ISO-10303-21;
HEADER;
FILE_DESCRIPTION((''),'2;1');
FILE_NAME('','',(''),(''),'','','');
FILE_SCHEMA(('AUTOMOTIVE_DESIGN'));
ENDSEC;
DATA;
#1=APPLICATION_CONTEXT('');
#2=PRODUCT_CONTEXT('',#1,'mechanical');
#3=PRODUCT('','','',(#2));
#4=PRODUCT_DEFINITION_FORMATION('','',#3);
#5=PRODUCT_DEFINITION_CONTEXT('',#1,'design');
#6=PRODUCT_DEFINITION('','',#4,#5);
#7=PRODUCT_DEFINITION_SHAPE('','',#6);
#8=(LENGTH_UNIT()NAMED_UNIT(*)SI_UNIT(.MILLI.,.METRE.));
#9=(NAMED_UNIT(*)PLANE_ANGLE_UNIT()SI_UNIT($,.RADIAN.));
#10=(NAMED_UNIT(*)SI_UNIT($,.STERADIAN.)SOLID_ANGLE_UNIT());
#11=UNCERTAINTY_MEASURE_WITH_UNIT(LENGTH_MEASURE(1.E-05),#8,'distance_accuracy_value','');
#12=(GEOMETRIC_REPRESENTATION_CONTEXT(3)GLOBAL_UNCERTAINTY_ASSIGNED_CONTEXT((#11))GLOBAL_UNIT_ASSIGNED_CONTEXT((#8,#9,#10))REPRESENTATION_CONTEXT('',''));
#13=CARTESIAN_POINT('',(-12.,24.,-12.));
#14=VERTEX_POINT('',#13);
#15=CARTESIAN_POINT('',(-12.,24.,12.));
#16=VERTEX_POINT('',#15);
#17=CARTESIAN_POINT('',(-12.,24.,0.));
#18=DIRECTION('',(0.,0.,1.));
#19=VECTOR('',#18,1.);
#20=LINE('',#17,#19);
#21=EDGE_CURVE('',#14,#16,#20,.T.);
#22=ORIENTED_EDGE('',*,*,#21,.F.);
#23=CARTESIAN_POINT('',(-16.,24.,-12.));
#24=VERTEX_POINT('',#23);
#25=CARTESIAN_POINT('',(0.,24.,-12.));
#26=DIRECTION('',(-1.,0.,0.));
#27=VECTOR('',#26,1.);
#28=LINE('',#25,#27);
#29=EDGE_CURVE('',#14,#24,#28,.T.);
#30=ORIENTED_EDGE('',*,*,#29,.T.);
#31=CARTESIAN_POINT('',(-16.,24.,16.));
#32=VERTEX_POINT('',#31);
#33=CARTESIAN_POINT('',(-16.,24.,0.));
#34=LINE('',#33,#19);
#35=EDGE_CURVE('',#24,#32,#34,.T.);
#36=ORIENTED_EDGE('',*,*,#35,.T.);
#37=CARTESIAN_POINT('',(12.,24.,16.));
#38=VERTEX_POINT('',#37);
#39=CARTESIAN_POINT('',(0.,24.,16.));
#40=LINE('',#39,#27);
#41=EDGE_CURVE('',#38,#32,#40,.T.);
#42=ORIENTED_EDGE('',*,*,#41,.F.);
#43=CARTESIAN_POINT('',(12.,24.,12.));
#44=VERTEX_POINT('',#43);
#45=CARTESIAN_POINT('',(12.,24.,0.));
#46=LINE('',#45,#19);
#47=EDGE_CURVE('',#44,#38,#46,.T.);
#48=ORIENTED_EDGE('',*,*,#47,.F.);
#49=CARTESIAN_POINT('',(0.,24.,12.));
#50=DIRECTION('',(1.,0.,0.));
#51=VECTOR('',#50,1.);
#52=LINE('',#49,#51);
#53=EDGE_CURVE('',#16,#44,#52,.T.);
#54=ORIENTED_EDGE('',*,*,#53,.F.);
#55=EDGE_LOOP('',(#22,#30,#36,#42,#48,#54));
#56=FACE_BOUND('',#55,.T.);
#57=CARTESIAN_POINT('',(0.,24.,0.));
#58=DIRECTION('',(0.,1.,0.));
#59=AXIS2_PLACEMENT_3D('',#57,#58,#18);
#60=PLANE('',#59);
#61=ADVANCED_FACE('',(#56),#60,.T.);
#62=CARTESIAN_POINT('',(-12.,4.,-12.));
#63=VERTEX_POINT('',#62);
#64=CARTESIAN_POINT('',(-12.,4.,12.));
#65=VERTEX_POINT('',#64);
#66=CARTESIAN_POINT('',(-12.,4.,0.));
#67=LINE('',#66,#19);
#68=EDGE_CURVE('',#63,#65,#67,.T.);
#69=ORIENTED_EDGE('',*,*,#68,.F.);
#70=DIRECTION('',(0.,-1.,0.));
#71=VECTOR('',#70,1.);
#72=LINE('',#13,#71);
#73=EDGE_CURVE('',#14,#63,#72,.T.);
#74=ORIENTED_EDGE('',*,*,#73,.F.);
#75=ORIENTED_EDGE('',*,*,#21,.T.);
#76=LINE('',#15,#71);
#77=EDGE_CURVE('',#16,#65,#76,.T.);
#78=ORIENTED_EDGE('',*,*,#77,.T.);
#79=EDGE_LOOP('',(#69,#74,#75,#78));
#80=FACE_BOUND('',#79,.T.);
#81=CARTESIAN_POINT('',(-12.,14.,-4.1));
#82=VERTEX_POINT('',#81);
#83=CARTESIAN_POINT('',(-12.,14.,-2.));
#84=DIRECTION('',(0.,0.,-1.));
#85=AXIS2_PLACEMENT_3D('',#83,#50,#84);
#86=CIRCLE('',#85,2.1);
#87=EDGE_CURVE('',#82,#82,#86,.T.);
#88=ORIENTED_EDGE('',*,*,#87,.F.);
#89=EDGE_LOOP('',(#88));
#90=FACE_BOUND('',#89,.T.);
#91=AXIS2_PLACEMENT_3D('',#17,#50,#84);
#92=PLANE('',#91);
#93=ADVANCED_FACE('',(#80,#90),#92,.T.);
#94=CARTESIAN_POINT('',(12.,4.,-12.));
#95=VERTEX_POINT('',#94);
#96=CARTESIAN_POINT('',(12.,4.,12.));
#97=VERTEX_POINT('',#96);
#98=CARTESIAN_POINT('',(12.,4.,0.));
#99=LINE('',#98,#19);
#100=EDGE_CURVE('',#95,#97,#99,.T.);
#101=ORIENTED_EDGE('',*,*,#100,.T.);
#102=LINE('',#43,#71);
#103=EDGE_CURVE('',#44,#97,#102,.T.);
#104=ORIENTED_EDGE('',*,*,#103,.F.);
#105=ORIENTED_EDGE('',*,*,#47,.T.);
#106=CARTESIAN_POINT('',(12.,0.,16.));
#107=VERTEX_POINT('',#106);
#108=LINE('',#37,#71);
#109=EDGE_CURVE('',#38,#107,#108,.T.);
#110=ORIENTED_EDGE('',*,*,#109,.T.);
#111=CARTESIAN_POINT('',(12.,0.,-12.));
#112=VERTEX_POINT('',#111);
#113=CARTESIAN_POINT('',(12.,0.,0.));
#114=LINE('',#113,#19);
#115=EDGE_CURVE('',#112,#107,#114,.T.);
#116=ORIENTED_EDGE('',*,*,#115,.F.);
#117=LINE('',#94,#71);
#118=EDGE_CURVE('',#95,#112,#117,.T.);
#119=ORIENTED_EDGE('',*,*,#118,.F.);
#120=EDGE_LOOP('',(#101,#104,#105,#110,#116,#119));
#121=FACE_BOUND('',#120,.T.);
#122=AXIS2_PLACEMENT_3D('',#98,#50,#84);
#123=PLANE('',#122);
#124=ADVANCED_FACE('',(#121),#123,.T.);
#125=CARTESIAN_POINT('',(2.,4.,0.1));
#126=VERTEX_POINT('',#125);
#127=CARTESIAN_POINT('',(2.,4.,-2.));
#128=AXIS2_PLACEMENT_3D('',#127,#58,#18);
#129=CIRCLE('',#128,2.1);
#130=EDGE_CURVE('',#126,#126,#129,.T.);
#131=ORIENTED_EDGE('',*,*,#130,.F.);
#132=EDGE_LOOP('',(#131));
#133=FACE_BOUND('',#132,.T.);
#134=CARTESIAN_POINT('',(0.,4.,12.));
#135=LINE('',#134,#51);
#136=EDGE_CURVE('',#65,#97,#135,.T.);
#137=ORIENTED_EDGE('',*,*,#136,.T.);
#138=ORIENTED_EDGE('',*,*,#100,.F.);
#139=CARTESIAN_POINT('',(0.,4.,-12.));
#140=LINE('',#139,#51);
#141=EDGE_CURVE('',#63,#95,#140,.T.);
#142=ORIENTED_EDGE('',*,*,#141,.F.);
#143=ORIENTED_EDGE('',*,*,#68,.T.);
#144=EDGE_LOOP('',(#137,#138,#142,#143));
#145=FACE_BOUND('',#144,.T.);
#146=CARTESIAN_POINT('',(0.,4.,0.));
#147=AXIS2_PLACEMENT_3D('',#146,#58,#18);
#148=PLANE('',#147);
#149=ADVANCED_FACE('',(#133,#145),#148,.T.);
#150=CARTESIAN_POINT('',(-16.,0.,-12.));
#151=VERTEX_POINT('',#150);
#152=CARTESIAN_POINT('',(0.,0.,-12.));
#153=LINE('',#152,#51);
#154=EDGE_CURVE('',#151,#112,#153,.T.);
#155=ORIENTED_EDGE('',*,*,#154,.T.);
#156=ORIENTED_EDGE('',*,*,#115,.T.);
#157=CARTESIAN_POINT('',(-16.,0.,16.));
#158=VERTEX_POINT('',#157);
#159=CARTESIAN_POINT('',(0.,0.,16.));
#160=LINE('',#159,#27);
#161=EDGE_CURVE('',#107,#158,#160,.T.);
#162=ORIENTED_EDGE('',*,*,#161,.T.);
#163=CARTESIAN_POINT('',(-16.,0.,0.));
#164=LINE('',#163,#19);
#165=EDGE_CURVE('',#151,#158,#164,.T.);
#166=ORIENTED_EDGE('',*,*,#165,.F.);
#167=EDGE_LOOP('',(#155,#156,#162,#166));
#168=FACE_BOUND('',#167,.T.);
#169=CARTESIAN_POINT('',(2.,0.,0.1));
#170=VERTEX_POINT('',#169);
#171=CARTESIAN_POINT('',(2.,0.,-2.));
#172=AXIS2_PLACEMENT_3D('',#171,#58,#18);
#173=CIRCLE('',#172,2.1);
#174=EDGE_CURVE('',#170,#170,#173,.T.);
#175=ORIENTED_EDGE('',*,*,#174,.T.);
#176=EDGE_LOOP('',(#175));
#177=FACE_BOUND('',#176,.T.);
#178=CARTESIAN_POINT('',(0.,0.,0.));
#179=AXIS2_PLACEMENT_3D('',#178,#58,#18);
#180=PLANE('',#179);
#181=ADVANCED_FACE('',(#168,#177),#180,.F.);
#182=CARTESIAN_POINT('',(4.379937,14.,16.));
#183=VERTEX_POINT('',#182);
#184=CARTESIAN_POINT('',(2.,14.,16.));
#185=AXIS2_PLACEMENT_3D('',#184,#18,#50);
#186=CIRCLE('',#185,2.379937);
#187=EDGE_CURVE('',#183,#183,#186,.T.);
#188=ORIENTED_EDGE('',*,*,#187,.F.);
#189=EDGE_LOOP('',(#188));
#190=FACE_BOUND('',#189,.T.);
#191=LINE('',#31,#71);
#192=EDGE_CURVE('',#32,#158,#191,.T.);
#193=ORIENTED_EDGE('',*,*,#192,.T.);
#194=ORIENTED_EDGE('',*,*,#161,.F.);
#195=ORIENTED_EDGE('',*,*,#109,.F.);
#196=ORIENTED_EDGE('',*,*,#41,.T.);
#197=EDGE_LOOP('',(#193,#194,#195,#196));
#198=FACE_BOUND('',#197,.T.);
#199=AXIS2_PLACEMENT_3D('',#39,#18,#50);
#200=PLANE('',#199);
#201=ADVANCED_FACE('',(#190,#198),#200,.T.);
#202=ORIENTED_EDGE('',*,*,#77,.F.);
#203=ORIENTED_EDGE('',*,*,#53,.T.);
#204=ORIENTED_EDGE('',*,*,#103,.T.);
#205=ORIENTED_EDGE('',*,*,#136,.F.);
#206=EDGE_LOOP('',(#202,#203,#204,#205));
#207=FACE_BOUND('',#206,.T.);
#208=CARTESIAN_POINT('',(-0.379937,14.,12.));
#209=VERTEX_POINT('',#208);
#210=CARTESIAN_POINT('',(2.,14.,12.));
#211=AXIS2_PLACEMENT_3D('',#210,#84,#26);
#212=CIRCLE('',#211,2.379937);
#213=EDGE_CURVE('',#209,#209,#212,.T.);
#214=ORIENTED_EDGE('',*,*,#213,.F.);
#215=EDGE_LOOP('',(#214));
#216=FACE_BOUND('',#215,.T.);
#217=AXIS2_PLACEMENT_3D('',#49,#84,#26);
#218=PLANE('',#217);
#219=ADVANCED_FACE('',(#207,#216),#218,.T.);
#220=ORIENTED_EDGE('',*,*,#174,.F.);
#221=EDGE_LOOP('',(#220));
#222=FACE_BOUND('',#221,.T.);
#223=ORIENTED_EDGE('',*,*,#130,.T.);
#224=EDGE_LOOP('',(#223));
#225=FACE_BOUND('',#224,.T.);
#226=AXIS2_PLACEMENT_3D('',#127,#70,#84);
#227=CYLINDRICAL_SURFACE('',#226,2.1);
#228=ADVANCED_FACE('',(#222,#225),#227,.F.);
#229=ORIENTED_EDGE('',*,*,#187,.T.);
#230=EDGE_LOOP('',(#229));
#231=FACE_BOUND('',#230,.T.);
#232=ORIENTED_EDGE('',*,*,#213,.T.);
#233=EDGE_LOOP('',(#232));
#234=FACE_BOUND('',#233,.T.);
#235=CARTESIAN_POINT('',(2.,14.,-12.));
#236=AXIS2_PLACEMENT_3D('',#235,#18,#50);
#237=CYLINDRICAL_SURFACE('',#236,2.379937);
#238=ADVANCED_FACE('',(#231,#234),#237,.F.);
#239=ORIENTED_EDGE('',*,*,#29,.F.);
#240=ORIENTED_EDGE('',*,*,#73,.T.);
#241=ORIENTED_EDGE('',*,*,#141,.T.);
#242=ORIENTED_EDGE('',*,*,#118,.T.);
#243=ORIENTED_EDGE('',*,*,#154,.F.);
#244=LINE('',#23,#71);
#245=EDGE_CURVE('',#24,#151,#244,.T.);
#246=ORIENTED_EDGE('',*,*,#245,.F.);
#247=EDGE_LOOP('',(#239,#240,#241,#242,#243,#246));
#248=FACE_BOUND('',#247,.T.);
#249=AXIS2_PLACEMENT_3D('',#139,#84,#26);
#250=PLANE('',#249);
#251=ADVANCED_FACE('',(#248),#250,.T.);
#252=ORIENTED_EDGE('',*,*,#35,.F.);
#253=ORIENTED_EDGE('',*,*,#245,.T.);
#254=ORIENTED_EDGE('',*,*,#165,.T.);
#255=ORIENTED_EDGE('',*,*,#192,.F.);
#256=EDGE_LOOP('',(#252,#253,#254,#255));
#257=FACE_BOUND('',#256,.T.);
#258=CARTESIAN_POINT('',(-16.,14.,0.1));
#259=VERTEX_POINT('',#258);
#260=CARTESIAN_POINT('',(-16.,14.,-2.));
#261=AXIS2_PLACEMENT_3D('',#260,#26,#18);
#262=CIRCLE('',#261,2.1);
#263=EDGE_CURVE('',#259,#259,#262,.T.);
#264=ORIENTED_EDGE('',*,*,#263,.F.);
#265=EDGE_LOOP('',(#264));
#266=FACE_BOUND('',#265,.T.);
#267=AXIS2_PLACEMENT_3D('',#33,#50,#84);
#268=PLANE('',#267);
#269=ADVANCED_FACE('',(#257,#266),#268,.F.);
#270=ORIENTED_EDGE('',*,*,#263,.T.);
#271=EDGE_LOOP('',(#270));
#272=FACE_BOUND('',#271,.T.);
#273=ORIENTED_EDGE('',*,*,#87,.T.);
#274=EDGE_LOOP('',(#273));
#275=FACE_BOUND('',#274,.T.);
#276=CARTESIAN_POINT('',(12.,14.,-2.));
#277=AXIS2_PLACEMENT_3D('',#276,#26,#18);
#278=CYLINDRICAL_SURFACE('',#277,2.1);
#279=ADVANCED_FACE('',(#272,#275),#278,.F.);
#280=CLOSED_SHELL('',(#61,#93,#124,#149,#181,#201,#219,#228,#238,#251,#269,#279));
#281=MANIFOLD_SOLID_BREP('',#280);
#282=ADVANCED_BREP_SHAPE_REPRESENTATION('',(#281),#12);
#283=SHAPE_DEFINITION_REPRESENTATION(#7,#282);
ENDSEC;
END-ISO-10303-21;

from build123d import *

# Parameters (mm, degrees)
SKETCH_1_W          = 24
SKETCH_1_H          = 24
SKETCH_1_R          = 2.1
EXTRUDE_1_DEPTH     = 4
EXTRUDE_2_DEPTH     = 24
SKETCH_2_R          = 2.379936998
CUT_EXTRUDE_1_DEPTH = 41.199502484
SKETCH_3_R          = 2.1
CUT_EXTRUDE_2_DEPTH = 41.199502484


with BuildPart() as part:
    # 草图1 → 凸台-拉伸1 (new body)
    with BuildSketch(Plane(origin=(0, 0, 0), x_dir=(1, 0, 0), z_dir=(0, 1, 0))):
        Rectangle(SKETCH_1_W, SKETCH_1_H)
        with Locations((2, 2)):
            Circle(SKETCH_1_R, mode=Mode.SUBTRACT)
    extrude(amount=EXTRUDE_1_DEPTH)

    # 草图1<3> → 凸台-拉伸2 (add)
    with BuildSketch(Plane(origin=(0, 0, 0), x_dir=(1, 0, 0), z_dir=(0, 1, 0))):
        Polygon((-12, -12), (-12, 12), (-16, 12), (-16, -16), (12, -16), (12, -12), align=None)
    extrude(amount=EXTRUDE_2_DEPTH)

    # 草图2 → 切除-拉伸1 (cut, through all)
    with BuildSketch(Plane.XY.offset(16)):
        with Locations((2, 14)):
            Circle(SKETCH_2_R)
    extrude(amount=-CUT_EXTRUDE_1_DEPTH, mode=Mode.SUBTRACT)

    # 草图3 → 切除-拉伸2 (cut, through all)
    with BuildSketch(Plane.ZY.offset(16)):
        with Locations((-2, 14)):
            Circle(SKETCH_3_R)
    extrude(amount=-CUT_EXTRUDE_2_DEPTH, mode=Mode.SUBTRACT)


solid = part.part
